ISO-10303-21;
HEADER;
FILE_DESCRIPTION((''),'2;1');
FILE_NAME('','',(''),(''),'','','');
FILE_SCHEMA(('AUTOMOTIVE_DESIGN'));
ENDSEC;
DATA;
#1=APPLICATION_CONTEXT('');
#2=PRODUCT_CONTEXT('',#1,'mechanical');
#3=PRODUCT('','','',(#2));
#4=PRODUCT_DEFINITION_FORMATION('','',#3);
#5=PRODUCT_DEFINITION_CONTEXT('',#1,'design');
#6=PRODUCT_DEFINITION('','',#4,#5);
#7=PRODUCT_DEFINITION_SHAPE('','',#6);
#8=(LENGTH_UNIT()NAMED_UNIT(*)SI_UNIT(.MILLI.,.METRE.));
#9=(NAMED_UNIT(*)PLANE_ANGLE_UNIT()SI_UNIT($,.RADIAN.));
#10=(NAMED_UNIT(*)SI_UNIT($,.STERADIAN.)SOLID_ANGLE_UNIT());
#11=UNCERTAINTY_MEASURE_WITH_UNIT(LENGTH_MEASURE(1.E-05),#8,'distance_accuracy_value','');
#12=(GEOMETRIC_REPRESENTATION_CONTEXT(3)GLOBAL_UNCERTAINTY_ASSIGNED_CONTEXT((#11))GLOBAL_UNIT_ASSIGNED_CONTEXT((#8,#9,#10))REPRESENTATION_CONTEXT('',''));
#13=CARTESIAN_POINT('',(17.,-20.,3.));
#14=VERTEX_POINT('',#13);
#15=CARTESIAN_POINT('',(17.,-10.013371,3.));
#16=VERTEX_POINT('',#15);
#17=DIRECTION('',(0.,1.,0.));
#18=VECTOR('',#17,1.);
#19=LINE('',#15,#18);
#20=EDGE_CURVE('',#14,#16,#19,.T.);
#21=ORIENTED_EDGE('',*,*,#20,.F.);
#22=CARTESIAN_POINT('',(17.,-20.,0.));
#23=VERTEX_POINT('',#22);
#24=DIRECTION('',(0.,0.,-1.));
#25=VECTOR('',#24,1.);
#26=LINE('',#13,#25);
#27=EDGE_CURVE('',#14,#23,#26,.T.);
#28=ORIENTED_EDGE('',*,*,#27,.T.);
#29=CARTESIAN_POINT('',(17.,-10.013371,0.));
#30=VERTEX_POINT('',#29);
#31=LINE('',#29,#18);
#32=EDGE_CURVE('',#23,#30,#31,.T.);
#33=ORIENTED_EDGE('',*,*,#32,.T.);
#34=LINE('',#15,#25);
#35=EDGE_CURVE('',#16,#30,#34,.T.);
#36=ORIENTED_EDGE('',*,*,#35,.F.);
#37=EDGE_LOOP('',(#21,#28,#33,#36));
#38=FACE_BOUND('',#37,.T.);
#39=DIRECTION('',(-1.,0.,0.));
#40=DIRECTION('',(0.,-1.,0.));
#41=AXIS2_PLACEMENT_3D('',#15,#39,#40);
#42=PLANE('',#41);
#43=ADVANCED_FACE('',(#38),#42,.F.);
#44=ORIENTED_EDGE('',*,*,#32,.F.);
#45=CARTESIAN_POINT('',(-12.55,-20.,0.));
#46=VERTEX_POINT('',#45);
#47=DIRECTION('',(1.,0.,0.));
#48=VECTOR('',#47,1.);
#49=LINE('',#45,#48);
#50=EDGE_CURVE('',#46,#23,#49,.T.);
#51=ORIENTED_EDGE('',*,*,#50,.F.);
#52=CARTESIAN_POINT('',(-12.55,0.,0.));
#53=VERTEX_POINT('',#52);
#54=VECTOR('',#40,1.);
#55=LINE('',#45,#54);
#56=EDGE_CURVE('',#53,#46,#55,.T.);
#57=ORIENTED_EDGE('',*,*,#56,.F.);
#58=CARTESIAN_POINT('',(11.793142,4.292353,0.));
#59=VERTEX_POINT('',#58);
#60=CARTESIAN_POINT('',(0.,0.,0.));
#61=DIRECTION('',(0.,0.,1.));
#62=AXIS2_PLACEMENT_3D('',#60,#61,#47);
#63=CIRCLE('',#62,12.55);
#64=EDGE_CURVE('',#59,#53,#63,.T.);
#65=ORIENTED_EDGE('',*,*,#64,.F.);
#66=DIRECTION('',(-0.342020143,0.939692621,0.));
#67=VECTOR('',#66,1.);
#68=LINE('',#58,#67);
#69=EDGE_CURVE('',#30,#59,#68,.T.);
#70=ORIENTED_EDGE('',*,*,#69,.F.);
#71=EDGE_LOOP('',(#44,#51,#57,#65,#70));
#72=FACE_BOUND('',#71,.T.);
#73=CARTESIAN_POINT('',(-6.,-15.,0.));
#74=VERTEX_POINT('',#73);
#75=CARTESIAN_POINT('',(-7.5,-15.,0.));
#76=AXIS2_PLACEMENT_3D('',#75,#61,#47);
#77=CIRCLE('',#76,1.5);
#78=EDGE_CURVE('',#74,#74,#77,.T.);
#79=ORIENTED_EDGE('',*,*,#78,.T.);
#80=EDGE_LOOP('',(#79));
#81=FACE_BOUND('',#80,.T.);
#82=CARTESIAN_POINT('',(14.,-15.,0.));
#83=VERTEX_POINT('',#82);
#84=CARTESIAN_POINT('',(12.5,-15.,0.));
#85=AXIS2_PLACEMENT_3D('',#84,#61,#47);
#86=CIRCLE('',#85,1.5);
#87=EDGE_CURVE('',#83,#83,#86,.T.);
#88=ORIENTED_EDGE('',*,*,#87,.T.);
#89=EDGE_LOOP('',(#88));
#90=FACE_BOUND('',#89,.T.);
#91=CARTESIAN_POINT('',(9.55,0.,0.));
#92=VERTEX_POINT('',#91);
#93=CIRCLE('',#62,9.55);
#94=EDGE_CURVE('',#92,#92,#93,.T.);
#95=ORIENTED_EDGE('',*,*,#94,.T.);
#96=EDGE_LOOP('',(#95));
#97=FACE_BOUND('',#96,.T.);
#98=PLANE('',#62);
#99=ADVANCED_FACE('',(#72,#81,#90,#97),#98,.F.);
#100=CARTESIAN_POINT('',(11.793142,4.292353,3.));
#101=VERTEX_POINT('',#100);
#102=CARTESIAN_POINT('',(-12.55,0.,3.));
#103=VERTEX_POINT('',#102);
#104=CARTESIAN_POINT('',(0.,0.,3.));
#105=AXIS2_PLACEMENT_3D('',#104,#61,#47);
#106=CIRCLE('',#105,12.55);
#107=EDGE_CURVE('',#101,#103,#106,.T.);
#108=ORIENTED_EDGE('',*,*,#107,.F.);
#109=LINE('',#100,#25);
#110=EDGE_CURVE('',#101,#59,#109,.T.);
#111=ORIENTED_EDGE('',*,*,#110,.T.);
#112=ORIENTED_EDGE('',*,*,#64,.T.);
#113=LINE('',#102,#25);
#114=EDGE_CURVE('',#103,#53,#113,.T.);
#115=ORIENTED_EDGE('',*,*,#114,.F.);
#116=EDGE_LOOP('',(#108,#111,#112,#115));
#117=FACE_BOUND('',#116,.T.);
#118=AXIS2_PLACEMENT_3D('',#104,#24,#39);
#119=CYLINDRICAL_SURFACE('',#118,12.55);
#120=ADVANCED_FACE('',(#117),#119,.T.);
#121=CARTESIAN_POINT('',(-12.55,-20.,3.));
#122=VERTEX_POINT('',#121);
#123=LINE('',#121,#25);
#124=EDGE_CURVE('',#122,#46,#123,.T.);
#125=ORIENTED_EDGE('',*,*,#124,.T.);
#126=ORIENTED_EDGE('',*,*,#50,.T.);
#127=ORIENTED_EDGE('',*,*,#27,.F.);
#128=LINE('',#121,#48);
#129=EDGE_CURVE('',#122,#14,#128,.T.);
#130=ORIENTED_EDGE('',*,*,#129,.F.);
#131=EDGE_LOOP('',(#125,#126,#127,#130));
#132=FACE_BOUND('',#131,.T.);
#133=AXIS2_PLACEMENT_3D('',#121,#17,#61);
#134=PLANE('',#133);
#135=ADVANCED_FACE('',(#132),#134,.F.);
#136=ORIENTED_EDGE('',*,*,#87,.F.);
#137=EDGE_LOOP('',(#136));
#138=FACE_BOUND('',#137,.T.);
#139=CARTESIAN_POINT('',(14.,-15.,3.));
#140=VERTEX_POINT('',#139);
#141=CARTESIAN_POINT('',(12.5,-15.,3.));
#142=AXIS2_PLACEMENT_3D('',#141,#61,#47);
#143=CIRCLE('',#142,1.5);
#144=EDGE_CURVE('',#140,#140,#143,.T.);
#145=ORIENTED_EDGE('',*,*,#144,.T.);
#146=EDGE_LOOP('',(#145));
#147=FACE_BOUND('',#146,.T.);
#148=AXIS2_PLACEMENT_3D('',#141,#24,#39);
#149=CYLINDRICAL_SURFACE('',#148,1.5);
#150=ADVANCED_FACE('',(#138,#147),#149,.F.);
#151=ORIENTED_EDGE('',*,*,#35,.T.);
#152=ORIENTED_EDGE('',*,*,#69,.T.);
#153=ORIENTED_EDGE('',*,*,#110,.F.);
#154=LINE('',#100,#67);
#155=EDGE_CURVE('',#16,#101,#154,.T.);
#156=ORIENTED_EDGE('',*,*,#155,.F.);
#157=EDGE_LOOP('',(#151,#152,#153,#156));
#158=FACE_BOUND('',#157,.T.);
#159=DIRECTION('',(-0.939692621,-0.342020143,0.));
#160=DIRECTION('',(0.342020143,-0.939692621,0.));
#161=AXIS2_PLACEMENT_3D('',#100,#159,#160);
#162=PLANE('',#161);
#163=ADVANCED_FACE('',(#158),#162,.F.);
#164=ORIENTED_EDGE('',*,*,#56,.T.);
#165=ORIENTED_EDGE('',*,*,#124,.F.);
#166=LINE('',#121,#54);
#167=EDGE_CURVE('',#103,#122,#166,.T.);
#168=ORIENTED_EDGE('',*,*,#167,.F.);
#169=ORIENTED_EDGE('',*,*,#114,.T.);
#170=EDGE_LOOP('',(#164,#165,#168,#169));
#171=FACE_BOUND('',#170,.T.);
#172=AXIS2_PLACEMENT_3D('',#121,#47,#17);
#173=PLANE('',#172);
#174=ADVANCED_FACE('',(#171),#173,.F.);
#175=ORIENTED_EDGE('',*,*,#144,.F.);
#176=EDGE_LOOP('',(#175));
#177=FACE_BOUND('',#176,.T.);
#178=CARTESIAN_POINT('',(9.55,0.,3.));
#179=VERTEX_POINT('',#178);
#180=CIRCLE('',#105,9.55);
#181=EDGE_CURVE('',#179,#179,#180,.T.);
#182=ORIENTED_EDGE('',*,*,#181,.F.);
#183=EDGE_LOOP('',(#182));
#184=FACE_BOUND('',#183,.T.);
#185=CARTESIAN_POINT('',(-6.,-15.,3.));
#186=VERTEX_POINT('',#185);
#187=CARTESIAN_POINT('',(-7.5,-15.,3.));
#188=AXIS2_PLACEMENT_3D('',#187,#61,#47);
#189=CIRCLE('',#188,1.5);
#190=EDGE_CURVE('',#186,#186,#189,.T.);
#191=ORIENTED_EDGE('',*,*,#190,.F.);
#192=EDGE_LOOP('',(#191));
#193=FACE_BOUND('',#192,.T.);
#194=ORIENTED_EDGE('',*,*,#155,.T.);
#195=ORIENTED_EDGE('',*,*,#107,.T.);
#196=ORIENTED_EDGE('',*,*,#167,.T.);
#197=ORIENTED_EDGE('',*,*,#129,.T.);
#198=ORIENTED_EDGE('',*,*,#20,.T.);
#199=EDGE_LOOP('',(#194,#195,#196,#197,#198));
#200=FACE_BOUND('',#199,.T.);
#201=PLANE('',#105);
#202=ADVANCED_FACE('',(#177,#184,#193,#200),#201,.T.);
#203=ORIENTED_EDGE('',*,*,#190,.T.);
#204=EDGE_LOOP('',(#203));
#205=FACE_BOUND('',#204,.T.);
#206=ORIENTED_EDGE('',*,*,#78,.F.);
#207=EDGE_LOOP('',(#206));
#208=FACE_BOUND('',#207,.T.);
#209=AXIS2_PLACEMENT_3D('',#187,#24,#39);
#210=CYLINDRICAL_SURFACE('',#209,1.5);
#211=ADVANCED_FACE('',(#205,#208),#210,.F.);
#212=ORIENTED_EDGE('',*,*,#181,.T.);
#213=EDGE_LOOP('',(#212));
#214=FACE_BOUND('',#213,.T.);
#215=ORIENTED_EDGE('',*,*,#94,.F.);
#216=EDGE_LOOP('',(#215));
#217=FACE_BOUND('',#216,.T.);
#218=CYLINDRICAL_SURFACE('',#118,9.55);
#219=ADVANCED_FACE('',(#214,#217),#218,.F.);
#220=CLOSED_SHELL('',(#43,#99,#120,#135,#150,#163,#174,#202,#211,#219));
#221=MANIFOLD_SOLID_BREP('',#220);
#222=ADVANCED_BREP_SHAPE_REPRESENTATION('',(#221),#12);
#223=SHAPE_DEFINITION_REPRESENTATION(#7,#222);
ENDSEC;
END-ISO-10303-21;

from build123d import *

# Parameters (mm, degrees)
SKETCH_1_R      = 9.55
SKETCH_1_R_2    = 1.5
EXTRUDE_1_DEPTH = 3


with BuildPart() as part:
    # 草图1 → 凸台-拉伸1 (new body)
    with BuildSketch(Plane.XY):
        with BuildLine():
            Line((-12.55, -20), (17, -20))
            Line((17, -20), (17, -10.013370909))
            Line((17, -10.013370909), (11.793142391, 4.292352799))
            ThreePointArc((11.793142391, 4.292352799), (-2.17928463, 12.3593373), (-12.55, 0))
            Line((-12.55, 0), (-12.55, -20))
        make_face()
        Circle(SKETCH_1_R, mode=Mode.SUBTRACT)
        with Locations((-7.5, -15)):
            Circle(SKETCH_1_R_2, mode=Mode.SUBTRACT)
        with Locations((12.5, -15)):
            Circle(SKETCH_1_R_2, mode=Mode.SUBTRACT)
    extrude(amount=EXTRUDE_1_DEPTH)


solid = part.part
